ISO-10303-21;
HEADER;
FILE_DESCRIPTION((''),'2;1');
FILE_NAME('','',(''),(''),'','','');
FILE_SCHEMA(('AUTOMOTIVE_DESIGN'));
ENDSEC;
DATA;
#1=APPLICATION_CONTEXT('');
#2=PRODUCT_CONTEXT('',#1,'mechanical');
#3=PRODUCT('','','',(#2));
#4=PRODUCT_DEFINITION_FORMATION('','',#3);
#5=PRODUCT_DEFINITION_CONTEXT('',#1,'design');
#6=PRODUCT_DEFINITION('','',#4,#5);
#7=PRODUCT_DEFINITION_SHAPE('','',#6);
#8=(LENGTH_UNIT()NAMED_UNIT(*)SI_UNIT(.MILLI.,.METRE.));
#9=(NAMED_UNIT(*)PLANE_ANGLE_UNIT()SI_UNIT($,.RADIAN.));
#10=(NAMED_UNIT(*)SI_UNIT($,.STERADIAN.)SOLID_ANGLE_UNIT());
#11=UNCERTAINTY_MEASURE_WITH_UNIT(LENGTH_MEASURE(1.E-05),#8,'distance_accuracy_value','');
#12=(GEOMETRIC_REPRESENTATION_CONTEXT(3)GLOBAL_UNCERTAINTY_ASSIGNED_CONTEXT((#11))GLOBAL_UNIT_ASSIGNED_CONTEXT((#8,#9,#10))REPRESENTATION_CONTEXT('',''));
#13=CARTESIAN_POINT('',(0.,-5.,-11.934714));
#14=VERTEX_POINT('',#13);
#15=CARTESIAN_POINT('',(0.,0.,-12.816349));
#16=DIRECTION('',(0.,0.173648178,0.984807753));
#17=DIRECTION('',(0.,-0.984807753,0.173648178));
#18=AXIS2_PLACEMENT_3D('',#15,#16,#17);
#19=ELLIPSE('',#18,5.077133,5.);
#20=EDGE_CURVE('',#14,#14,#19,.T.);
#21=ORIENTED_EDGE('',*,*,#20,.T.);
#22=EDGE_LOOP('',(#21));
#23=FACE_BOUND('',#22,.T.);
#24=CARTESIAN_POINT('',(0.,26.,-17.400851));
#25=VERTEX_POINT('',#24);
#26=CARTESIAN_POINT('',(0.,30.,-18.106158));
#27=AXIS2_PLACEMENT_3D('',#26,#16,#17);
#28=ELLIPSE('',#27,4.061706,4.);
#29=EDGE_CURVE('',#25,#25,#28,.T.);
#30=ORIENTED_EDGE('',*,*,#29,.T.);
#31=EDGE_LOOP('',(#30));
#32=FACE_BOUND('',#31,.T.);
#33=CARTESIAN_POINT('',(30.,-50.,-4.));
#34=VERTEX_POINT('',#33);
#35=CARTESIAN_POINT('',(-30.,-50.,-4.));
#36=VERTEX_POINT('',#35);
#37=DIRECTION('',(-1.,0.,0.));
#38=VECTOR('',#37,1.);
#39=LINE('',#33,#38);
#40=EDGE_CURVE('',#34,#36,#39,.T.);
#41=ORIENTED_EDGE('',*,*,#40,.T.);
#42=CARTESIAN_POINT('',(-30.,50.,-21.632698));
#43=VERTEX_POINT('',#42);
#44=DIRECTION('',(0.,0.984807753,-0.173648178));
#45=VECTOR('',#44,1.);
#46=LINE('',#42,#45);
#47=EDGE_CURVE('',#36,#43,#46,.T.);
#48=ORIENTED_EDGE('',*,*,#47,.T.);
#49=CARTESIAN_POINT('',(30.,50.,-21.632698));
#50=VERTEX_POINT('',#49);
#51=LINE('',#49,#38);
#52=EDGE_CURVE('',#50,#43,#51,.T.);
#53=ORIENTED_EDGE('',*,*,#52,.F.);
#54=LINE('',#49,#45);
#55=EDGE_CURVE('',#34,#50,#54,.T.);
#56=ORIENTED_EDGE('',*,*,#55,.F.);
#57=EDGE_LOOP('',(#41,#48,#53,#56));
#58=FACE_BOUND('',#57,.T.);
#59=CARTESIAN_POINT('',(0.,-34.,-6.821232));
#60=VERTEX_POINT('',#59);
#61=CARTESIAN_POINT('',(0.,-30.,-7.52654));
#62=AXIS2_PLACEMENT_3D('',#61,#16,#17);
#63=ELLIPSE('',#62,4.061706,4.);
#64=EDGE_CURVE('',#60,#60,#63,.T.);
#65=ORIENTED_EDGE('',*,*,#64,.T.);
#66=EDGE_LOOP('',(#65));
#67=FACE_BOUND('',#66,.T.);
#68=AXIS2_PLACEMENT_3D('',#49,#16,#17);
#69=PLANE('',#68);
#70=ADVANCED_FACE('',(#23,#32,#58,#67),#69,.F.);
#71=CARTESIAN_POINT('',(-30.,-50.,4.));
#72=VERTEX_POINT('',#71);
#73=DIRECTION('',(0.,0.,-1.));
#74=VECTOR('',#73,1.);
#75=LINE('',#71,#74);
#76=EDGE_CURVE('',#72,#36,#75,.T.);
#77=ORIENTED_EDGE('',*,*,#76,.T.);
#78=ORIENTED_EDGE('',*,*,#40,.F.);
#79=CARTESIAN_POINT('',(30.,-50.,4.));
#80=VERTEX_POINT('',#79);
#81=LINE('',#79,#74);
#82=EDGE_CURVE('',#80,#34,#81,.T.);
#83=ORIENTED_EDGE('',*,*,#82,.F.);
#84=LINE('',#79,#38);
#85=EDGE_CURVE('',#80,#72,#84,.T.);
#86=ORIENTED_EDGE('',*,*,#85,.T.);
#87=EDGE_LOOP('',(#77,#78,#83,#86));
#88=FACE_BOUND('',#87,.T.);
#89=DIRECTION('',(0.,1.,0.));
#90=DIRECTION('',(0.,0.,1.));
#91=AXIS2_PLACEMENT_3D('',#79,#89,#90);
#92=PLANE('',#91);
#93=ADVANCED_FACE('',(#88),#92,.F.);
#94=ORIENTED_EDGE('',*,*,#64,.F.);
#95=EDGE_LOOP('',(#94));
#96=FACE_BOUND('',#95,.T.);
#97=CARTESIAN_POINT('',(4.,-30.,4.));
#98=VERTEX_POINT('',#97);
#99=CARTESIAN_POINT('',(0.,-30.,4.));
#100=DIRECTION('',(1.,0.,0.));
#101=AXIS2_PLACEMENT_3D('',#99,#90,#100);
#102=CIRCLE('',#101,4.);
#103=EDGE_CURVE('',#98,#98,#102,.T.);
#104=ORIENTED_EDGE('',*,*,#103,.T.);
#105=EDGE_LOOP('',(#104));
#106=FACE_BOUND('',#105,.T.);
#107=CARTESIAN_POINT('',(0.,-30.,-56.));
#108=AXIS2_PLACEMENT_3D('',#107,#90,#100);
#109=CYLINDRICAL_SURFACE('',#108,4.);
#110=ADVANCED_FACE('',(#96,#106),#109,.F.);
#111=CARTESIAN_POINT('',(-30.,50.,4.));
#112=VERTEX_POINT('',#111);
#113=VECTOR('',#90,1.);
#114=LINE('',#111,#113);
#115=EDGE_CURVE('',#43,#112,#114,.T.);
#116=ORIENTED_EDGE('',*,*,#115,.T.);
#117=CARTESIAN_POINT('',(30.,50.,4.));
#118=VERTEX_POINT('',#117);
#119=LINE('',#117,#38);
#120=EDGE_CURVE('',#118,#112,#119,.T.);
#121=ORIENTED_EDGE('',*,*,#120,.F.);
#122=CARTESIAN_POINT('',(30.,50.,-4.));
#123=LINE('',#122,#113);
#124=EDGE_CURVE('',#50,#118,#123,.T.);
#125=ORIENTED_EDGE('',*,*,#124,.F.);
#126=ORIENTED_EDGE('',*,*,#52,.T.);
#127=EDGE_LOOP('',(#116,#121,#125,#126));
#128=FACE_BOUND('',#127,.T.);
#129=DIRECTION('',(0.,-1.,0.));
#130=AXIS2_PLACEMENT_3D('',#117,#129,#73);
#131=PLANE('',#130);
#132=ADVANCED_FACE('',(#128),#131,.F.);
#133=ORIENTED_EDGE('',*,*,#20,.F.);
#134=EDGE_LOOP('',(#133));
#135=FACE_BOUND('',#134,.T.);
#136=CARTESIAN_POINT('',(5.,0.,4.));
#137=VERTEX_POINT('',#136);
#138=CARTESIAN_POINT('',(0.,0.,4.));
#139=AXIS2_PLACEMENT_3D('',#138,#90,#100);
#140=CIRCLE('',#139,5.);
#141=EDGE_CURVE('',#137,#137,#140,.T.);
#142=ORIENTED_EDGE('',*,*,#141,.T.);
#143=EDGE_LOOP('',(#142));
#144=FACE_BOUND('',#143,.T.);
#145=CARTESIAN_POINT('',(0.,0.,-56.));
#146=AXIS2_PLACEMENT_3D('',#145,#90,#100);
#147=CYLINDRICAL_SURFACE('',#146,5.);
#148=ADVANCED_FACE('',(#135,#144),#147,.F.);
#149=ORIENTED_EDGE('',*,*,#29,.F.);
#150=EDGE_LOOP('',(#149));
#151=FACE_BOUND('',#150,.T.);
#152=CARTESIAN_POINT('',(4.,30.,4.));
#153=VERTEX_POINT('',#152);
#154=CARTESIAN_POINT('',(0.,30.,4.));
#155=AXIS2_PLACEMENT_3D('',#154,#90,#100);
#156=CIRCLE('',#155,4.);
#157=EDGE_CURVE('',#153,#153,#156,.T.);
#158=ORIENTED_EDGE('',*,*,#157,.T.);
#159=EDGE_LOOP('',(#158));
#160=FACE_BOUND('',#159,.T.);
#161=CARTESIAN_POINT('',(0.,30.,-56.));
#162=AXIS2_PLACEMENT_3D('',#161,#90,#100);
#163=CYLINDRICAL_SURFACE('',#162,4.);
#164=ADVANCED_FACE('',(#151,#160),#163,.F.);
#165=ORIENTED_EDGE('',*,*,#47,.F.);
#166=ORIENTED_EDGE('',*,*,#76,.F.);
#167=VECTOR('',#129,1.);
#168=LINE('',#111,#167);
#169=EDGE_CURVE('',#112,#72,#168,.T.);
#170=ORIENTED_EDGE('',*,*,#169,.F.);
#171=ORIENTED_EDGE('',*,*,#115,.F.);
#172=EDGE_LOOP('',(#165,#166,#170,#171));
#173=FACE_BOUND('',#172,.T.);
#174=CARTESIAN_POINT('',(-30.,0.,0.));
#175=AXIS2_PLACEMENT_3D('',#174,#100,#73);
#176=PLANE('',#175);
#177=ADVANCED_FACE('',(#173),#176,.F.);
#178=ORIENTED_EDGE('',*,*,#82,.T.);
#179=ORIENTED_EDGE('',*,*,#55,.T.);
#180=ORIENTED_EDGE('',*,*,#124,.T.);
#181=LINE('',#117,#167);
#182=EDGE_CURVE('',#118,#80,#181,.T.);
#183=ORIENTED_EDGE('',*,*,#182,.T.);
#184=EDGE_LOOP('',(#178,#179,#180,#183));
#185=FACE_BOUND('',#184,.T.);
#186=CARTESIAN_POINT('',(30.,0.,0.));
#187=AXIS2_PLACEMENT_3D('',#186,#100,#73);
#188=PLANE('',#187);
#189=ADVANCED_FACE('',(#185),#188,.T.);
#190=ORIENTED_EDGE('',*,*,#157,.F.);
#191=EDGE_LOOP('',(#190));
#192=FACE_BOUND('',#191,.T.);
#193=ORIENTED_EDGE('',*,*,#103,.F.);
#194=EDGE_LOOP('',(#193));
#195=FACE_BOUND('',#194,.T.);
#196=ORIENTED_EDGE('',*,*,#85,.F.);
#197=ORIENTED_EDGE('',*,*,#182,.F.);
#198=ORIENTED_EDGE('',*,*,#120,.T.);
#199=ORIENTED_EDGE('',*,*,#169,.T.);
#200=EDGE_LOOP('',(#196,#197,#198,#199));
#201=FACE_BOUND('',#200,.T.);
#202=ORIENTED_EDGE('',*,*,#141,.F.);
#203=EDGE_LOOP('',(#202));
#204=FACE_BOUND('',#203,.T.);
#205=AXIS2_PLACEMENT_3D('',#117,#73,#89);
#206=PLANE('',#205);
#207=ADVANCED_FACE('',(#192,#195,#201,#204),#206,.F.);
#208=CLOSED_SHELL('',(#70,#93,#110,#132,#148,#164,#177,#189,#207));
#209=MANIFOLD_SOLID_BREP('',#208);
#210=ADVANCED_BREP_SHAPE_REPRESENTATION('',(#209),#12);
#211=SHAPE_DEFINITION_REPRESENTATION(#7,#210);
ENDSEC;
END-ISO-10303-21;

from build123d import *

# Parameters (mm, degrees)
BOSS_EXTRUDE1_DEPTH = 30
SKETCH3_R           = 4
SKETCH3_R_2         = 5
CUT_EXTRUDE1_DEPTH  = 60


with BuildPart() as part:
    # Sketch2 → Boss-Extrude1 (new, symmetric)
    with BuildSketch(Plane(origin=(0, 0, 0), x_dir=(0, 0, -1), z_dir=(1, 0, 0))):
        Polygon((4, 50), (21.632698071, 50), (4, -50), (-4, -50), (-4, 50), align=None)
    extrude(amount=BOSS_EXTRUDE1_DEPTH, both=True)

    # Sketch3 → Cut-Extrude1 (cut)
    with BuildSketch(Plane.XY.offset(4)):
        with Locations((0, -30)):
            Circle(SKETCH3_R)
        with Locations((0, 30)):
            Circle(SKETCH3_R)
        Circle(SKETCH3_R_2)
    extrude(amount=-CUT_EXTRUDE1_DEPTH, mode=Mode.SUBTRACT)


solid = part.part
